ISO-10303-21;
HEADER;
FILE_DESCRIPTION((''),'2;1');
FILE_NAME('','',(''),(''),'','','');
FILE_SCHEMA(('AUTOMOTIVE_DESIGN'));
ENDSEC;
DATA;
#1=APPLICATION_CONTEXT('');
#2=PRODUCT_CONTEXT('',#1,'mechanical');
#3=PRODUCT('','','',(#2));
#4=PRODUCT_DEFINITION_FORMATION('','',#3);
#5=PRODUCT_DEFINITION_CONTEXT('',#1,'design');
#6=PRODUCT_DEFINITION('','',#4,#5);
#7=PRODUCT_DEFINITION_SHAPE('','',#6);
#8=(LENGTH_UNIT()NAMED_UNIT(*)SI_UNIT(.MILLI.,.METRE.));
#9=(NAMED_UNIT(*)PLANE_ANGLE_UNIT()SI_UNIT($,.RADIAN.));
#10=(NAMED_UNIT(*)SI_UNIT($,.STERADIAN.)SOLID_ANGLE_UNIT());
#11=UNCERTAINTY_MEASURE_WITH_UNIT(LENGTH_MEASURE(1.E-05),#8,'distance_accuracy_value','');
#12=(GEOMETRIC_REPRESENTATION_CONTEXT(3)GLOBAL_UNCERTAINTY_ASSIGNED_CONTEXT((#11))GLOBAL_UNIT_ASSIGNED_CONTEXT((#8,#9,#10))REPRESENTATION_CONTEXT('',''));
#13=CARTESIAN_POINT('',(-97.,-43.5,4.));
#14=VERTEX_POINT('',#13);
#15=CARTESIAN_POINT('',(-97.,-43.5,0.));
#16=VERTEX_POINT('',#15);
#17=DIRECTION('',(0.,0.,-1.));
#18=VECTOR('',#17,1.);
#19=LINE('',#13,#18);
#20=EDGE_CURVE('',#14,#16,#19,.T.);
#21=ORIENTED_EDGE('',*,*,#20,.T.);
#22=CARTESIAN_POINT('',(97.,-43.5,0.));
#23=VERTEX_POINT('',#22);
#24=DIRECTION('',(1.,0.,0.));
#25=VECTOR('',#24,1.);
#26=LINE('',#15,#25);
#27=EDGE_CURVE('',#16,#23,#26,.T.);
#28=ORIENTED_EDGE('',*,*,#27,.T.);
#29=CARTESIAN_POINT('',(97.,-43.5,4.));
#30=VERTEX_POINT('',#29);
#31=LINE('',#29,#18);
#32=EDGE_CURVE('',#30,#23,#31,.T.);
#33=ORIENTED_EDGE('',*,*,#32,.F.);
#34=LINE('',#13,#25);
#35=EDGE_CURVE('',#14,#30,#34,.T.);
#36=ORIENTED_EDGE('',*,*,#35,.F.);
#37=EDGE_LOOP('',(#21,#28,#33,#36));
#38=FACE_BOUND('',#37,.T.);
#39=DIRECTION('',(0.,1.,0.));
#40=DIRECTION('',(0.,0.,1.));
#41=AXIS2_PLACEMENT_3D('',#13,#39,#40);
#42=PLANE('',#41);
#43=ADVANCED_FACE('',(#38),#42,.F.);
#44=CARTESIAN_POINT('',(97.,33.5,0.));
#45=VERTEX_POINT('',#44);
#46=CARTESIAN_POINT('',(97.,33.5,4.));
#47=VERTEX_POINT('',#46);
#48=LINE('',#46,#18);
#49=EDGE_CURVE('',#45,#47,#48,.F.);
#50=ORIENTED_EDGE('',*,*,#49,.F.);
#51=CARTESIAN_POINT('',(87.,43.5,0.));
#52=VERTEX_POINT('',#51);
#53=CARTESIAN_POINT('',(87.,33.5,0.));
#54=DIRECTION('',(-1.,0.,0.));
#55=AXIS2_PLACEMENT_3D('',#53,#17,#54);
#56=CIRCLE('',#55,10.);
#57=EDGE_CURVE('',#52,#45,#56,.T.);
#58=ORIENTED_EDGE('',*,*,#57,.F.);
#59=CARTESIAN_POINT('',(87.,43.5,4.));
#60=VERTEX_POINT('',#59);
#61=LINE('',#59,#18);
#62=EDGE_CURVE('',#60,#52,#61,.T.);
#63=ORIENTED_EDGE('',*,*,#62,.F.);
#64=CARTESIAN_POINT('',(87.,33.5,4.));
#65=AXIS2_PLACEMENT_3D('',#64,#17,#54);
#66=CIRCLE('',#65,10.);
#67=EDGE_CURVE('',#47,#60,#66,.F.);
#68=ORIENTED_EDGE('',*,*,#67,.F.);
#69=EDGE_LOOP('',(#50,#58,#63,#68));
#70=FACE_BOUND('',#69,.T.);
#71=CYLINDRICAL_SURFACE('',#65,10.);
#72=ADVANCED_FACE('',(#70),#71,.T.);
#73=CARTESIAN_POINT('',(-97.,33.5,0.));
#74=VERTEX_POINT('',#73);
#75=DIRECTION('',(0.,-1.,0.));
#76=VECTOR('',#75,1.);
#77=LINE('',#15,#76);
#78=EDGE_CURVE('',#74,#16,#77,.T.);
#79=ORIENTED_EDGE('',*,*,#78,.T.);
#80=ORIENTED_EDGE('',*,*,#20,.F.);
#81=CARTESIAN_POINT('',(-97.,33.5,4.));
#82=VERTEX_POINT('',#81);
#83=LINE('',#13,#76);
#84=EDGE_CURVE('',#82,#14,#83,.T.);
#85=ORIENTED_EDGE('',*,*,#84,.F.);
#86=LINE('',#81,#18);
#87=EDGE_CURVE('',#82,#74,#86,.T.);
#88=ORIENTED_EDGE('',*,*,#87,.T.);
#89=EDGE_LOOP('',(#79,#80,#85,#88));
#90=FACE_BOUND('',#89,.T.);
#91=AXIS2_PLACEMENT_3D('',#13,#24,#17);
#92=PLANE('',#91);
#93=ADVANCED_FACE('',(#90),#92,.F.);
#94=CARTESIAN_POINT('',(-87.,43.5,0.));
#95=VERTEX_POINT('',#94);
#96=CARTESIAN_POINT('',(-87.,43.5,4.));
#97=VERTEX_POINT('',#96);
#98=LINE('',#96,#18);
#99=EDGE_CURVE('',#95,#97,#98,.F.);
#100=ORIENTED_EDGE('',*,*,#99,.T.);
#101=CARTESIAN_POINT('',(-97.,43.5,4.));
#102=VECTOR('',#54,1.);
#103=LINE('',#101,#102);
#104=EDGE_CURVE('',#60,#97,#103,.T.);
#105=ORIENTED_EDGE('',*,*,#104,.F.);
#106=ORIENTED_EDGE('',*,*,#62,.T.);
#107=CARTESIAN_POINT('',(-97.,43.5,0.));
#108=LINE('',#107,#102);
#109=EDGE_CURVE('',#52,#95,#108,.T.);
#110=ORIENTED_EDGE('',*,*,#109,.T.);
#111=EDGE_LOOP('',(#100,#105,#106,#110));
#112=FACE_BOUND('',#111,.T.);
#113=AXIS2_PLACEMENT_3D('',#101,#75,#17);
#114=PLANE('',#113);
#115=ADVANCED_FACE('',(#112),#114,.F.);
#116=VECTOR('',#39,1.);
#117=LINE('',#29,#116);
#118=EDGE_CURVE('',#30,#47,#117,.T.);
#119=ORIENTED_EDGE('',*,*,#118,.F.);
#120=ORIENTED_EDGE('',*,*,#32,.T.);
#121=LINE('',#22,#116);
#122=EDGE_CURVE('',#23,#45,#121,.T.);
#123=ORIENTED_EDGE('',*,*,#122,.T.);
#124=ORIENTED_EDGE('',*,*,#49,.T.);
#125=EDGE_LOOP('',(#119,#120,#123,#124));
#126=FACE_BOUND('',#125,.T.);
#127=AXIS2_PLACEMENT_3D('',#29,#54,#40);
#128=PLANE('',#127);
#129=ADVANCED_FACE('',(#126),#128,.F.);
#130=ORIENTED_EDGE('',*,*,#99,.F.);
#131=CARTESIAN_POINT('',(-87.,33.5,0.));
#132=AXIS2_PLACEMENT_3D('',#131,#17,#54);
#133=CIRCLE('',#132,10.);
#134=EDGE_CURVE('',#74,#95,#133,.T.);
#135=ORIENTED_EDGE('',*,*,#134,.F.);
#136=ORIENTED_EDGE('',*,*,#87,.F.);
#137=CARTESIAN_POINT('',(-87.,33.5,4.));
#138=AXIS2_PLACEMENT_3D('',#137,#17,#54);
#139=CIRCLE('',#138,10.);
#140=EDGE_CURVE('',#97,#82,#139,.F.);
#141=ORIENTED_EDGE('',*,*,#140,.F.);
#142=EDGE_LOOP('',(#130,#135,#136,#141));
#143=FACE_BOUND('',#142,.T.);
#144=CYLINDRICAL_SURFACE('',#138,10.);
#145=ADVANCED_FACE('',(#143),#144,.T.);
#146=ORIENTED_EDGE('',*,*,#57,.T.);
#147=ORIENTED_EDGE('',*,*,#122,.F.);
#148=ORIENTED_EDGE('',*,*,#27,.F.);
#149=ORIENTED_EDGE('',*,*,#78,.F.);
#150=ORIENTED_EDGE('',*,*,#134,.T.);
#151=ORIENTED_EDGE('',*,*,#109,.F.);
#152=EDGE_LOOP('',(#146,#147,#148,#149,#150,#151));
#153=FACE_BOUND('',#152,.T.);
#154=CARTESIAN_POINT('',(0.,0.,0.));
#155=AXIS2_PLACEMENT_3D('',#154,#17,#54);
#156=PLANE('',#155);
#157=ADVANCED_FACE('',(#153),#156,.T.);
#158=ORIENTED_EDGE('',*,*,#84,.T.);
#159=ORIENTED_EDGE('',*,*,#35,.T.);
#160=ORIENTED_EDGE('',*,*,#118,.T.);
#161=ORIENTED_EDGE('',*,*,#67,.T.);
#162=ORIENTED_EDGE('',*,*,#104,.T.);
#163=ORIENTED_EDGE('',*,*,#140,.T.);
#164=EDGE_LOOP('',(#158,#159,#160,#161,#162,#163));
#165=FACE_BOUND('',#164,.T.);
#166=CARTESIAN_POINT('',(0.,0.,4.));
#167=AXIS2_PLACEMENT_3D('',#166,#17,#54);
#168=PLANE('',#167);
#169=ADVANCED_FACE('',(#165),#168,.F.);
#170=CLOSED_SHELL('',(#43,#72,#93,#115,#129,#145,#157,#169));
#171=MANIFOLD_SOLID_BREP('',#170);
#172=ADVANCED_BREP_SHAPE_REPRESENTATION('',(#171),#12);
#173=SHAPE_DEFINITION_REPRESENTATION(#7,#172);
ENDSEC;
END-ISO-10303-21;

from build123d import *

# Parameters (mm, degrees)
SKETCH_1_W      = 194
SKETCH_1_H      = 87
EXTRUDE_1_DEPTH = 4
FILLET_1_R      = 10


with BuildPart() as part:
    # 草图1 → 凸台-拉伸1 (new body)
    with BuildSketch(Plane.XY):
        Rectangle(SKETCH_1_W, SKETCH_1_H)
    extrude(amount=EXTRUDE_1_DEPTH)

    # 圆角1
    fillet_1_edges = [part.edges().sort_by_distance(p)[0] for p in [
        (-97, 43.5, 2),
        (97, 43.5, 2),
    ]]
    fillet(fillet_1_edges, radius=FILLET_1_R)


solid = part.part
